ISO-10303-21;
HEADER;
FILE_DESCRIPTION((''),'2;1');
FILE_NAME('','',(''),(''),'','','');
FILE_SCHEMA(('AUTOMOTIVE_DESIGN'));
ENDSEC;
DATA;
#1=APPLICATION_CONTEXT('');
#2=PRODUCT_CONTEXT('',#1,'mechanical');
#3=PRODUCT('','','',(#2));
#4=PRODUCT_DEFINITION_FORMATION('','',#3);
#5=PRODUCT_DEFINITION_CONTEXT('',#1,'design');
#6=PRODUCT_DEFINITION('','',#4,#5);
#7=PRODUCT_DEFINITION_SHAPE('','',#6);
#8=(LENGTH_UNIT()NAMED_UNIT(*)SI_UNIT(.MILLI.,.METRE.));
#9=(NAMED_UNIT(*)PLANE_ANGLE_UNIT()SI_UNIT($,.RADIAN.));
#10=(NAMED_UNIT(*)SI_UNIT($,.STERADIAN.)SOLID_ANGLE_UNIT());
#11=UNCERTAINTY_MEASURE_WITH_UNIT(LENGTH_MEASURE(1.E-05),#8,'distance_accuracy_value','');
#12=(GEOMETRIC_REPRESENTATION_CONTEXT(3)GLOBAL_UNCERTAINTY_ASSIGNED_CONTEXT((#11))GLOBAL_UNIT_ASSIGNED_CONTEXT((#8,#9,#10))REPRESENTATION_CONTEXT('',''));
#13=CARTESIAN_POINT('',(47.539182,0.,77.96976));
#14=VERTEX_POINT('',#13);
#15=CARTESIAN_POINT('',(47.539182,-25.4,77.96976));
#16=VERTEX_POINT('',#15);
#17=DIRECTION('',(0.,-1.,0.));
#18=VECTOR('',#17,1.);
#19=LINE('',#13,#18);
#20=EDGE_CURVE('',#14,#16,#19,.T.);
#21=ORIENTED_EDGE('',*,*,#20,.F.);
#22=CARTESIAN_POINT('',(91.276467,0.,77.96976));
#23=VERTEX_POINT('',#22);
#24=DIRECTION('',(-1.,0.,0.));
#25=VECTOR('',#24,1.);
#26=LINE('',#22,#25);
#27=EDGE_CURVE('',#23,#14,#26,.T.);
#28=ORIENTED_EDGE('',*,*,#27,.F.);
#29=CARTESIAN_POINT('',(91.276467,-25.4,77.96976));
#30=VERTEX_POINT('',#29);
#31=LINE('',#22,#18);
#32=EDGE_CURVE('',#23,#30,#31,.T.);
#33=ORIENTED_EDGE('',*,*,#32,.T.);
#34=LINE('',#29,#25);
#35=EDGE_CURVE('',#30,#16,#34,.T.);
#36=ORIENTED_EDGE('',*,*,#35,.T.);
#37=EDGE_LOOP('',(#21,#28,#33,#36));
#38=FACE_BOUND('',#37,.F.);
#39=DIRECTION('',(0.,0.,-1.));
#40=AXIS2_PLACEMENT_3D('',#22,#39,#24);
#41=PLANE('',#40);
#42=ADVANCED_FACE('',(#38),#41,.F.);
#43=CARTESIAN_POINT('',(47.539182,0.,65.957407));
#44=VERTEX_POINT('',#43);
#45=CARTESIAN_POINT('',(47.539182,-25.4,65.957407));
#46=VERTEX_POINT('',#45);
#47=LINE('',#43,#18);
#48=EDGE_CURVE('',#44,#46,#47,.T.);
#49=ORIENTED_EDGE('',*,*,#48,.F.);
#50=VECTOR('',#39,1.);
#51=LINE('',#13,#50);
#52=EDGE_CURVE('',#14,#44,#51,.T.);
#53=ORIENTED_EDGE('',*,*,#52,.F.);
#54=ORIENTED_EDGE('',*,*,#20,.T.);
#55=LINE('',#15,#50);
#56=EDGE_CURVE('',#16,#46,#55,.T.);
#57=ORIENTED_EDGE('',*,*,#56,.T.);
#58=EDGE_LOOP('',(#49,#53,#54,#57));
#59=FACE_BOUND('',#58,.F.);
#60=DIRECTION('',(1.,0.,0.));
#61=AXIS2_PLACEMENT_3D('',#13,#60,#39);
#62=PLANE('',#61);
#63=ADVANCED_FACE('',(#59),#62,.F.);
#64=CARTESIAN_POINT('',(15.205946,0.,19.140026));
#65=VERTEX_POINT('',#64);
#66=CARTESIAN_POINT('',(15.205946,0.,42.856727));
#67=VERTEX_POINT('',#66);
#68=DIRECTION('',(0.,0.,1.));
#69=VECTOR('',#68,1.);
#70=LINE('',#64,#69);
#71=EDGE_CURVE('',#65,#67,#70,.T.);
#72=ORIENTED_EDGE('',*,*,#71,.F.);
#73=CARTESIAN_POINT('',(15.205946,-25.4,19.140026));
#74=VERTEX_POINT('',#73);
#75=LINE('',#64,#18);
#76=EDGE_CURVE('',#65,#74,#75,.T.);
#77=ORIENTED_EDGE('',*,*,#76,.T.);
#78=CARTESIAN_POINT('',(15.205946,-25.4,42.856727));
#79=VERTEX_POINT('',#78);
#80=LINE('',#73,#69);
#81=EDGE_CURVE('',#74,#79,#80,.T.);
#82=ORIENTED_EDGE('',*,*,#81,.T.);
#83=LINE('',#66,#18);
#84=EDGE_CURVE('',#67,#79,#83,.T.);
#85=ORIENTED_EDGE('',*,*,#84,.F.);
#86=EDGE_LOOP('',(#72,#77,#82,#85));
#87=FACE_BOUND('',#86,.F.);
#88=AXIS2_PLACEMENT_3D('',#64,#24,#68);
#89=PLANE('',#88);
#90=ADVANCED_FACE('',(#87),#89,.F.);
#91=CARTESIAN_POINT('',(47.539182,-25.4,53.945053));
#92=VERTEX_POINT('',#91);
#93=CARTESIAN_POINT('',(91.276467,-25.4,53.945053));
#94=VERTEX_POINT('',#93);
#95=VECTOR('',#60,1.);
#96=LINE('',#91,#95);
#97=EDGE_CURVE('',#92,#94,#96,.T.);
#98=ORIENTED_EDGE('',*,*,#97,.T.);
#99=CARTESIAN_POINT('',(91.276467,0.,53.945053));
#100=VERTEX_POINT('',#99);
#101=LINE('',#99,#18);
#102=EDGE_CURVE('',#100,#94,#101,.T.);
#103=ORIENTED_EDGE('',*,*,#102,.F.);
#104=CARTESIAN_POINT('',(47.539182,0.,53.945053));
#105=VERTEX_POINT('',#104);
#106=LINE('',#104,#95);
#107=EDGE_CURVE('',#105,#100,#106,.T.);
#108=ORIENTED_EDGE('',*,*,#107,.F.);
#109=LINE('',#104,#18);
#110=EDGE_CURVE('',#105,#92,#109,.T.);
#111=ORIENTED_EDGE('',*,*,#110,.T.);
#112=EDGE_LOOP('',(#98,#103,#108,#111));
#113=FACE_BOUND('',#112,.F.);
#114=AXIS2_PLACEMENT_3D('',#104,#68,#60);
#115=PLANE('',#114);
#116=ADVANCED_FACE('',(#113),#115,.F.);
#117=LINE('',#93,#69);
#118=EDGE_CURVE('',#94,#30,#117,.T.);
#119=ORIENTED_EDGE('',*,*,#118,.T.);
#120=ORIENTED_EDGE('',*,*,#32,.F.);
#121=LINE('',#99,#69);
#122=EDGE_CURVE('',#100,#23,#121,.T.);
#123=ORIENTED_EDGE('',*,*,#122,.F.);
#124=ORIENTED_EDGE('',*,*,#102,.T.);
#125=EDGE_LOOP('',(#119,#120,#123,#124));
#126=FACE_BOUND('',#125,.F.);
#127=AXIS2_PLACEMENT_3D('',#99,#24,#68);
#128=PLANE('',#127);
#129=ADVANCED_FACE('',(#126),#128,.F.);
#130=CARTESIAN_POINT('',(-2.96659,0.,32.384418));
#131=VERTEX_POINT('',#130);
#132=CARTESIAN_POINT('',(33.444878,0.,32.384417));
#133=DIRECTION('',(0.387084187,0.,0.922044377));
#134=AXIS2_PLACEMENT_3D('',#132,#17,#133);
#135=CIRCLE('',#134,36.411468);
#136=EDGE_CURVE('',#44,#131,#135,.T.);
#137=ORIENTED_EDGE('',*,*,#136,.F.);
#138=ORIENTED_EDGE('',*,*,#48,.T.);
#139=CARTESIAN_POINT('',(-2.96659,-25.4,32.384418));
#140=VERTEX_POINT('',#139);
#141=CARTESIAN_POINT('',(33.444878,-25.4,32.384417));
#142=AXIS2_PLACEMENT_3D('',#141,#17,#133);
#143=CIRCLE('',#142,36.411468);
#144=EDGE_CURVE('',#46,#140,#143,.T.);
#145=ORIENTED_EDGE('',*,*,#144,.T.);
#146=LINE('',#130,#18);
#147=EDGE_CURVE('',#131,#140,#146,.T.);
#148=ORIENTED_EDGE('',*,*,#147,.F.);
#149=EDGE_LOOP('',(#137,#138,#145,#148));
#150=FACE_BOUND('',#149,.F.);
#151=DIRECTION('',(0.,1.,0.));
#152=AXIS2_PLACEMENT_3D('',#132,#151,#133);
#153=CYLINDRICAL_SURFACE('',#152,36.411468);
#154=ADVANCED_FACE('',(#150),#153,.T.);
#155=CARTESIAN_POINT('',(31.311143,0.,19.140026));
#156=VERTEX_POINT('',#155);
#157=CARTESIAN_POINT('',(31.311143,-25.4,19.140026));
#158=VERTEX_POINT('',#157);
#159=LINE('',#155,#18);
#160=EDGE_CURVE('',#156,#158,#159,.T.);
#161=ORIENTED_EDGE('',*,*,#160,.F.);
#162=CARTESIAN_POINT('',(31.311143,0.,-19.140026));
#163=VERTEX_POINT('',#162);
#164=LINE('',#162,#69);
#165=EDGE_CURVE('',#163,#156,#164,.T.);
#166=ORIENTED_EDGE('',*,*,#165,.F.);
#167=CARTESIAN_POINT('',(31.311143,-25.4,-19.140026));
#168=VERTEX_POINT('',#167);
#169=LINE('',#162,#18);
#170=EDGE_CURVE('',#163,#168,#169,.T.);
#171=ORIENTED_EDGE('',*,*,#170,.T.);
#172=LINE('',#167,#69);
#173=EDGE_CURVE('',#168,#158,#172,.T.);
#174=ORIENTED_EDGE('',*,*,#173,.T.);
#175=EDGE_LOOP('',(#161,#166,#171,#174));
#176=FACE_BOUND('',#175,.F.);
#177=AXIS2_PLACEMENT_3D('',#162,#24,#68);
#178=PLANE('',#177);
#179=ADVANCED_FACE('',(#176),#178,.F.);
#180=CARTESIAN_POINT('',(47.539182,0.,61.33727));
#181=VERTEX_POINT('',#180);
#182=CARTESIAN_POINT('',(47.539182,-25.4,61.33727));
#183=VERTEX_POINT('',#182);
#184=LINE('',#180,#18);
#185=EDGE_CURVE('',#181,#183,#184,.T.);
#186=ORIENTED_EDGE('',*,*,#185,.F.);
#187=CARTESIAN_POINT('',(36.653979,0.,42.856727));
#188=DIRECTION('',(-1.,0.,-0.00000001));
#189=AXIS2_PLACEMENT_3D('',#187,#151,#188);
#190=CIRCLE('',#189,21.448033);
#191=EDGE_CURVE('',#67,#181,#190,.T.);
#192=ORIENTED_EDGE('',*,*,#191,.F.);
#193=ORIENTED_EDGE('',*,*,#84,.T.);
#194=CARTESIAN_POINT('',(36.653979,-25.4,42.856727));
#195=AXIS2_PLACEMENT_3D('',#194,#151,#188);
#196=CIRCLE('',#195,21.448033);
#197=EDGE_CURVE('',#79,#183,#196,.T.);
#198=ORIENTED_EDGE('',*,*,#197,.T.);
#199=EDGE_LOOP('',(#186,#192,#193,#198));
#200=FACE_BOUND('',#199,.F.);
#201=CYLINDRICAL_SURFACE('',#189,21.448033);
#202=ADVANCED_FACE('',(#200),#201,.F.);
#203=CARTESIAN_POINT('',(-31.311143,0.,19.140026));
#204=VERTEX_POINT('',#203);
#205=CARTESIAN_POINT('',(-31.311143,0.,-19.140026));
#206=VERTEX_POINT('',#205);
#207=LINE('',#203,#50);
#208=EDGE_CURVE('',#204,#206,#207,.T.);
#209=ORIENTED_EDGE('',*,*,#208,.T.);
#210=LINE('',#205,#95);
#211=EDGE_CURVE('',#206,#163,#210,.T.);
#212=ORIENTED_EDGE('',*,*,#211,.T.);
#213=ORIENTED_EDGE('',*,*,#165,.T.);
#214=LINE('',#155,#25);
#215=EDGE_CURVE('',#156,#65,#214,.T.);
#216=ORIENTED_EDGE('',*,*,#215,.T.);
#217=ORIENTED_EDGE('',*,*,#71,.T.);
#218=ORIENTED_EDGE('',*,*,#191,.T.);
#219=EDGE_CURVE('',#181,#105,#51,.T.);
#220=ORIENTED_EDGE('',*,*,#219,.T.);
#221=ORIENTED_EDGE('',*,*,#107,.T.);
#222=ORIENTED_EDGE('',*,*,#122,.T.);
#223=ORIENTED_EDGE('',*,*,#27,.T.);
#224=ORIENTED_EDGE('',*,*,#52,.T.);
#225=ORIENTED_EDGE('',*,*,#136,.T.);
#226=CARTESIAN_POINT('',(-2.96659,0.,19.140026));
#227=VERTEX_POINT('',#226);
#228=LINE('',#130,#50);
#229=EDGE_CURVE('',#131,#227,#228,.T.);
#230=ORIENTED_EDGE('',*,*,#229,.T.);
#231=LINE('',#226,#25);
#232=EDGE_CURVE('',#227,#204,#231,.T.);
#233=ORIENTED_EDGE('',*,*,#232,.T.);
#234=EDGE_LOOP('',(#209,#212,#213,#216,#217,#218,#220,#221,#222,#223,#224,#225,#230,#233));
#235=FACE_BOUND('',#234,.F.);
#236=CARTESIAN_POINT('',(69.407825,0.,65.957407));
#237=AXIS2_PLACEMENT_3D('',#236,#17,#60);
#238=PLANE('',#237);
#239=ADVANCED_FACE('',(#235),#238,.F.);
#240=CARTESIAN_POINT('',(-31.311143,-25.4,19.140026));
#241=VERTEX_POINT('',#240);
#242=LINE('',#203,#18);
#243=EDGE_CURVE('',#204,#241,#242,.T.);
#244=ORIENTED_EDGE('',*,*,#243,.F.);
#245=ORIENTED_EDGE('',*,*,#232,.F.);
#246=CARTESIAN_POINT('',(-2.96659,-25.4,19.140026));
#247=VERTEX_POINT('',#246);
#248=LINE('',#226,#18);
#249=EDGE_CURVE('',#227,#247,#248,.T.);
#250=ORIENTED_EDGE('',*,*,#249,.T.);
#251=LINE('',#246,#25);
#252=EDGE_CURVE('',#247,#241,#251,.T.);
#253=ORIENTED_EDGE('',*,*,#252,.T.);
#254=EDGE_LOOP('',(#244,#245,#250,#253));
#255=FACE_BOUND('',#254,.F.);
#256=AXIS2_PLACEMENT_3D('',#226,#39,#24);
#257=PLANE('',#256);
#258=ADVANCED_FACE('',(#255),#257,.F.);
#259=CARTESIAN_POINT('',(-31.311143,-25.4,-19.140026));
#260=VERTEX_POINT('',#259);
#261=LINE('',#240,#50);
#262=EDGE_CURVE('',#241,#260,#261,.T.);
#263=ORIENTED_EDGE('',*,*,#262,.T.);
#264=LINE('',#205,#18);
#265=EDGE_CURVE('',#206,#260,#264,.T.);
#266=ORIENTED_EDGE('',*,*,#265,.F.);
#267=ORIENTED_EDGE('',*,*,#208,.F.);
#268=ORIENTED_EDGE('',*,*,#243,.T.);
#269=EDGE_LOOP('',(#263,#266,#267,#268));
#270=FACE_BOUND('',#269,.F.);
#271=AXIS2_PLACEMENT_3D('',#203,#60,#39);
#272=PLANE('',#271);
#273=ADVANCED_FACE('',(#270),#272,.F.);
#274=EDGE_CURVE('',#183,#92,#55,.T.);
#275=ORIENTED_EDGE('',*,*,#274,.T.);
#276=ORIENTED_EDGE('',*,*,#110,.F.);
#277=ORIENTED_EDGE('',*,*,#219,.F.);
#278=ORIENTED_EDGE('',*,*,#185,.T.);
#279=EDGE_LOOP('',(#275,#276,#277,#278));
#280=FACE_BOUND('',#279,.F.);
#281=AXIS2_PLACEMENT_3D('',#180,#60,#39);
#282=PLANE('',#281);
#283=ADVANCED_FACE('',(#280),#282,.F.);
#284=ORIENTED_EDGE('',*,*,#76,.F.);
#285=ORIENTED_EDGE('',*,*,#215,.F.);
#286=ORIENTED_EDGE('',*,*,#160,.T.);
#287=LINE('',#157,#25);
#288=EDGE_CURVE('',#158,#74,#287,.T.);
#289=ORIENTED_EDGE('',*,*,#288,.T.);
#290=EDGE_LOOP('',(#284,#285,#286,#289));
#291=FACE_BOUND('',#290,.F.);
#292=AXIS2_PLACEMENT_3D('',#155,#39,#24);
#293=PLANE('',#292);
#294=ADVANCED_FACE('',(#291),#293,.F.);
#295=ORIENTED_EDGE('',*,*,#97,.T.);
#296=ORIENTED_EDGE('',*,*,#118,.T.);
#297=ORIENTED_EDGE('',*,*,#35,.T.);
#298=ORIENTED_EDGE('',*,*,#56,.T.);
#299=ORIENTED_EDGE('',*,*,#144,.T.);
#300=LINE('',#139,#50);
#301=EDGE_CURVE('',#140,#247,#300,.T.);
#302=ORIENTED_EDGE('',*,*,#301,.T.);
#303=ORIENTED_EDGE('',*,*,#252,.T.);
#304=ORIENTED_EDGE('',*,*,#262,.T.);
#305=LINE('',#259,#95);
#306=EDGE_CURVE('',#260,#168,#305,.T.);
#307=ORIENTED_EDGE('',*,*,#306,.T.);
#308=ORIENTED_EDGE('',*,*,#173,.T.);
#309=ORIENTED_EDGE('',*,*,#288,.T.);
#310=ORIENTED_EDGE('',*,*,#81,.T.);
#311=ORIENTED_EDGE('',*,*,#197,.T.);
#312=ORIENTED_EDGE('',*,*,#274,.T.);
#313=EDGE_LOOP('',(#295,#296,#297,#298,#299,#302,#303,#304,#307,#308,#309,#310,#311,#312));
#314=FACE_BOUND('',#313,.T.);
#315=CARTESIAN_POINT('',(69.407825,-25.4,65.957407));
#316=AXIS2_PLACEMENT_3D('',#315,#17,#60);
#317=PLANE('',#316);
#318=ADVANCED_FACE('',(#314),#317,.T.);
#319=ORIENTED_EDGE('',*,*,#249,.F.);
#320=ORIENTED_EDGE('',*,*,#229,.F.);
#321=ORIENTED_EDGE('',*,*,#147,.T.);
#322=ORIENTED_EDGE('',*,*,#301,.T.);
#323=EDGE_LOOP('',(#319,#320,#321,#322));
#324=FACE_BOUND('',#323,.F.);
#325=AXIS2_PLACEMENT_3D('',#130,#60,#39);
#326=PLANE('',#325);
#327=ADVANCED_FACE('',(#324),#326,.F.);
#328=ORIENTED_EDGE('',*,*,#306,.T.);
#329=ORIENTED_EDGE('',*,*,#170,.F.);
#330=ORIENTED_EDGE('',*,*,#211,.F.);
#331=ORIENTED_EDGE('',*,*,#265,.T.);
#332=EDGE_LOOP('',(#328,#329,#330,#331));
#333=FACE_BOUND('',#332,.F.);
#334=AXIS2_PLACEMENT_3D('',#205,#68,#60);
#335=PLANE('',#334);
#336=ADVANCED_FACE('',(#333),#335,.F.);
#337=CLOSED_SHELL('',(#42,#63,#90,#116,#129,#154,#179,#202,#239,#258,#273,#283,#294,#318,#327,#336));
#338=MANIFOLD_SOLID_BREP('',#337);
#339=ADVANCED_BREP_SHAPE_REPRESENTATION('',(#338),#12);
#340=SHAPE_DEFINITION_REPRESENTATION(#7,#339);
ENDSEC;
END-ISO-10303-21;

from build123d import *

# Parameters (mm, degrees)
F1_DEPTH = 25.4


with BuildPart() as f1:
    # F0 (on Front) → F1 (new body)
    with BuildSketch(Plane.XZ):
        Polygon((47.539182, 77.96976), (47.539182, 65.957407), (47.539182, 61.33727), (47.539182, 53.945053), (91.276467, 53.945053), (91.276467, 77.96976), align=None)
        with BuildLine():
            Line((-2.96659, 32.384418), (-2.96659, 19.140026))
            Line((-2.96659, 19.140026), (15.205946, 19.140026))
            Line((15.205946, 19.140026), (15.205946, 42.856727))
            ThreePointArc((15.205946, 42.856727), (26.010861, 61.477741), (47.539182, 61.33727))
            Line((47.539182, 61.33727), (47.539182, 65.957407))
            ThreePointArc((47.539182, 65.957407), (13.287985, 62.707588), (-2.96659, 32.384418))
        make_face()
        Polygon((-2.96659, 19.140026), (-31.311143, 19.140026), (-31.311143, -19.140026), (31.311143, -19.140026), (31.311143, 19.140026), (15.205946, 19.140026), align=None)
    extrude(amount=F1_DEPTH)


solid = f1.part
